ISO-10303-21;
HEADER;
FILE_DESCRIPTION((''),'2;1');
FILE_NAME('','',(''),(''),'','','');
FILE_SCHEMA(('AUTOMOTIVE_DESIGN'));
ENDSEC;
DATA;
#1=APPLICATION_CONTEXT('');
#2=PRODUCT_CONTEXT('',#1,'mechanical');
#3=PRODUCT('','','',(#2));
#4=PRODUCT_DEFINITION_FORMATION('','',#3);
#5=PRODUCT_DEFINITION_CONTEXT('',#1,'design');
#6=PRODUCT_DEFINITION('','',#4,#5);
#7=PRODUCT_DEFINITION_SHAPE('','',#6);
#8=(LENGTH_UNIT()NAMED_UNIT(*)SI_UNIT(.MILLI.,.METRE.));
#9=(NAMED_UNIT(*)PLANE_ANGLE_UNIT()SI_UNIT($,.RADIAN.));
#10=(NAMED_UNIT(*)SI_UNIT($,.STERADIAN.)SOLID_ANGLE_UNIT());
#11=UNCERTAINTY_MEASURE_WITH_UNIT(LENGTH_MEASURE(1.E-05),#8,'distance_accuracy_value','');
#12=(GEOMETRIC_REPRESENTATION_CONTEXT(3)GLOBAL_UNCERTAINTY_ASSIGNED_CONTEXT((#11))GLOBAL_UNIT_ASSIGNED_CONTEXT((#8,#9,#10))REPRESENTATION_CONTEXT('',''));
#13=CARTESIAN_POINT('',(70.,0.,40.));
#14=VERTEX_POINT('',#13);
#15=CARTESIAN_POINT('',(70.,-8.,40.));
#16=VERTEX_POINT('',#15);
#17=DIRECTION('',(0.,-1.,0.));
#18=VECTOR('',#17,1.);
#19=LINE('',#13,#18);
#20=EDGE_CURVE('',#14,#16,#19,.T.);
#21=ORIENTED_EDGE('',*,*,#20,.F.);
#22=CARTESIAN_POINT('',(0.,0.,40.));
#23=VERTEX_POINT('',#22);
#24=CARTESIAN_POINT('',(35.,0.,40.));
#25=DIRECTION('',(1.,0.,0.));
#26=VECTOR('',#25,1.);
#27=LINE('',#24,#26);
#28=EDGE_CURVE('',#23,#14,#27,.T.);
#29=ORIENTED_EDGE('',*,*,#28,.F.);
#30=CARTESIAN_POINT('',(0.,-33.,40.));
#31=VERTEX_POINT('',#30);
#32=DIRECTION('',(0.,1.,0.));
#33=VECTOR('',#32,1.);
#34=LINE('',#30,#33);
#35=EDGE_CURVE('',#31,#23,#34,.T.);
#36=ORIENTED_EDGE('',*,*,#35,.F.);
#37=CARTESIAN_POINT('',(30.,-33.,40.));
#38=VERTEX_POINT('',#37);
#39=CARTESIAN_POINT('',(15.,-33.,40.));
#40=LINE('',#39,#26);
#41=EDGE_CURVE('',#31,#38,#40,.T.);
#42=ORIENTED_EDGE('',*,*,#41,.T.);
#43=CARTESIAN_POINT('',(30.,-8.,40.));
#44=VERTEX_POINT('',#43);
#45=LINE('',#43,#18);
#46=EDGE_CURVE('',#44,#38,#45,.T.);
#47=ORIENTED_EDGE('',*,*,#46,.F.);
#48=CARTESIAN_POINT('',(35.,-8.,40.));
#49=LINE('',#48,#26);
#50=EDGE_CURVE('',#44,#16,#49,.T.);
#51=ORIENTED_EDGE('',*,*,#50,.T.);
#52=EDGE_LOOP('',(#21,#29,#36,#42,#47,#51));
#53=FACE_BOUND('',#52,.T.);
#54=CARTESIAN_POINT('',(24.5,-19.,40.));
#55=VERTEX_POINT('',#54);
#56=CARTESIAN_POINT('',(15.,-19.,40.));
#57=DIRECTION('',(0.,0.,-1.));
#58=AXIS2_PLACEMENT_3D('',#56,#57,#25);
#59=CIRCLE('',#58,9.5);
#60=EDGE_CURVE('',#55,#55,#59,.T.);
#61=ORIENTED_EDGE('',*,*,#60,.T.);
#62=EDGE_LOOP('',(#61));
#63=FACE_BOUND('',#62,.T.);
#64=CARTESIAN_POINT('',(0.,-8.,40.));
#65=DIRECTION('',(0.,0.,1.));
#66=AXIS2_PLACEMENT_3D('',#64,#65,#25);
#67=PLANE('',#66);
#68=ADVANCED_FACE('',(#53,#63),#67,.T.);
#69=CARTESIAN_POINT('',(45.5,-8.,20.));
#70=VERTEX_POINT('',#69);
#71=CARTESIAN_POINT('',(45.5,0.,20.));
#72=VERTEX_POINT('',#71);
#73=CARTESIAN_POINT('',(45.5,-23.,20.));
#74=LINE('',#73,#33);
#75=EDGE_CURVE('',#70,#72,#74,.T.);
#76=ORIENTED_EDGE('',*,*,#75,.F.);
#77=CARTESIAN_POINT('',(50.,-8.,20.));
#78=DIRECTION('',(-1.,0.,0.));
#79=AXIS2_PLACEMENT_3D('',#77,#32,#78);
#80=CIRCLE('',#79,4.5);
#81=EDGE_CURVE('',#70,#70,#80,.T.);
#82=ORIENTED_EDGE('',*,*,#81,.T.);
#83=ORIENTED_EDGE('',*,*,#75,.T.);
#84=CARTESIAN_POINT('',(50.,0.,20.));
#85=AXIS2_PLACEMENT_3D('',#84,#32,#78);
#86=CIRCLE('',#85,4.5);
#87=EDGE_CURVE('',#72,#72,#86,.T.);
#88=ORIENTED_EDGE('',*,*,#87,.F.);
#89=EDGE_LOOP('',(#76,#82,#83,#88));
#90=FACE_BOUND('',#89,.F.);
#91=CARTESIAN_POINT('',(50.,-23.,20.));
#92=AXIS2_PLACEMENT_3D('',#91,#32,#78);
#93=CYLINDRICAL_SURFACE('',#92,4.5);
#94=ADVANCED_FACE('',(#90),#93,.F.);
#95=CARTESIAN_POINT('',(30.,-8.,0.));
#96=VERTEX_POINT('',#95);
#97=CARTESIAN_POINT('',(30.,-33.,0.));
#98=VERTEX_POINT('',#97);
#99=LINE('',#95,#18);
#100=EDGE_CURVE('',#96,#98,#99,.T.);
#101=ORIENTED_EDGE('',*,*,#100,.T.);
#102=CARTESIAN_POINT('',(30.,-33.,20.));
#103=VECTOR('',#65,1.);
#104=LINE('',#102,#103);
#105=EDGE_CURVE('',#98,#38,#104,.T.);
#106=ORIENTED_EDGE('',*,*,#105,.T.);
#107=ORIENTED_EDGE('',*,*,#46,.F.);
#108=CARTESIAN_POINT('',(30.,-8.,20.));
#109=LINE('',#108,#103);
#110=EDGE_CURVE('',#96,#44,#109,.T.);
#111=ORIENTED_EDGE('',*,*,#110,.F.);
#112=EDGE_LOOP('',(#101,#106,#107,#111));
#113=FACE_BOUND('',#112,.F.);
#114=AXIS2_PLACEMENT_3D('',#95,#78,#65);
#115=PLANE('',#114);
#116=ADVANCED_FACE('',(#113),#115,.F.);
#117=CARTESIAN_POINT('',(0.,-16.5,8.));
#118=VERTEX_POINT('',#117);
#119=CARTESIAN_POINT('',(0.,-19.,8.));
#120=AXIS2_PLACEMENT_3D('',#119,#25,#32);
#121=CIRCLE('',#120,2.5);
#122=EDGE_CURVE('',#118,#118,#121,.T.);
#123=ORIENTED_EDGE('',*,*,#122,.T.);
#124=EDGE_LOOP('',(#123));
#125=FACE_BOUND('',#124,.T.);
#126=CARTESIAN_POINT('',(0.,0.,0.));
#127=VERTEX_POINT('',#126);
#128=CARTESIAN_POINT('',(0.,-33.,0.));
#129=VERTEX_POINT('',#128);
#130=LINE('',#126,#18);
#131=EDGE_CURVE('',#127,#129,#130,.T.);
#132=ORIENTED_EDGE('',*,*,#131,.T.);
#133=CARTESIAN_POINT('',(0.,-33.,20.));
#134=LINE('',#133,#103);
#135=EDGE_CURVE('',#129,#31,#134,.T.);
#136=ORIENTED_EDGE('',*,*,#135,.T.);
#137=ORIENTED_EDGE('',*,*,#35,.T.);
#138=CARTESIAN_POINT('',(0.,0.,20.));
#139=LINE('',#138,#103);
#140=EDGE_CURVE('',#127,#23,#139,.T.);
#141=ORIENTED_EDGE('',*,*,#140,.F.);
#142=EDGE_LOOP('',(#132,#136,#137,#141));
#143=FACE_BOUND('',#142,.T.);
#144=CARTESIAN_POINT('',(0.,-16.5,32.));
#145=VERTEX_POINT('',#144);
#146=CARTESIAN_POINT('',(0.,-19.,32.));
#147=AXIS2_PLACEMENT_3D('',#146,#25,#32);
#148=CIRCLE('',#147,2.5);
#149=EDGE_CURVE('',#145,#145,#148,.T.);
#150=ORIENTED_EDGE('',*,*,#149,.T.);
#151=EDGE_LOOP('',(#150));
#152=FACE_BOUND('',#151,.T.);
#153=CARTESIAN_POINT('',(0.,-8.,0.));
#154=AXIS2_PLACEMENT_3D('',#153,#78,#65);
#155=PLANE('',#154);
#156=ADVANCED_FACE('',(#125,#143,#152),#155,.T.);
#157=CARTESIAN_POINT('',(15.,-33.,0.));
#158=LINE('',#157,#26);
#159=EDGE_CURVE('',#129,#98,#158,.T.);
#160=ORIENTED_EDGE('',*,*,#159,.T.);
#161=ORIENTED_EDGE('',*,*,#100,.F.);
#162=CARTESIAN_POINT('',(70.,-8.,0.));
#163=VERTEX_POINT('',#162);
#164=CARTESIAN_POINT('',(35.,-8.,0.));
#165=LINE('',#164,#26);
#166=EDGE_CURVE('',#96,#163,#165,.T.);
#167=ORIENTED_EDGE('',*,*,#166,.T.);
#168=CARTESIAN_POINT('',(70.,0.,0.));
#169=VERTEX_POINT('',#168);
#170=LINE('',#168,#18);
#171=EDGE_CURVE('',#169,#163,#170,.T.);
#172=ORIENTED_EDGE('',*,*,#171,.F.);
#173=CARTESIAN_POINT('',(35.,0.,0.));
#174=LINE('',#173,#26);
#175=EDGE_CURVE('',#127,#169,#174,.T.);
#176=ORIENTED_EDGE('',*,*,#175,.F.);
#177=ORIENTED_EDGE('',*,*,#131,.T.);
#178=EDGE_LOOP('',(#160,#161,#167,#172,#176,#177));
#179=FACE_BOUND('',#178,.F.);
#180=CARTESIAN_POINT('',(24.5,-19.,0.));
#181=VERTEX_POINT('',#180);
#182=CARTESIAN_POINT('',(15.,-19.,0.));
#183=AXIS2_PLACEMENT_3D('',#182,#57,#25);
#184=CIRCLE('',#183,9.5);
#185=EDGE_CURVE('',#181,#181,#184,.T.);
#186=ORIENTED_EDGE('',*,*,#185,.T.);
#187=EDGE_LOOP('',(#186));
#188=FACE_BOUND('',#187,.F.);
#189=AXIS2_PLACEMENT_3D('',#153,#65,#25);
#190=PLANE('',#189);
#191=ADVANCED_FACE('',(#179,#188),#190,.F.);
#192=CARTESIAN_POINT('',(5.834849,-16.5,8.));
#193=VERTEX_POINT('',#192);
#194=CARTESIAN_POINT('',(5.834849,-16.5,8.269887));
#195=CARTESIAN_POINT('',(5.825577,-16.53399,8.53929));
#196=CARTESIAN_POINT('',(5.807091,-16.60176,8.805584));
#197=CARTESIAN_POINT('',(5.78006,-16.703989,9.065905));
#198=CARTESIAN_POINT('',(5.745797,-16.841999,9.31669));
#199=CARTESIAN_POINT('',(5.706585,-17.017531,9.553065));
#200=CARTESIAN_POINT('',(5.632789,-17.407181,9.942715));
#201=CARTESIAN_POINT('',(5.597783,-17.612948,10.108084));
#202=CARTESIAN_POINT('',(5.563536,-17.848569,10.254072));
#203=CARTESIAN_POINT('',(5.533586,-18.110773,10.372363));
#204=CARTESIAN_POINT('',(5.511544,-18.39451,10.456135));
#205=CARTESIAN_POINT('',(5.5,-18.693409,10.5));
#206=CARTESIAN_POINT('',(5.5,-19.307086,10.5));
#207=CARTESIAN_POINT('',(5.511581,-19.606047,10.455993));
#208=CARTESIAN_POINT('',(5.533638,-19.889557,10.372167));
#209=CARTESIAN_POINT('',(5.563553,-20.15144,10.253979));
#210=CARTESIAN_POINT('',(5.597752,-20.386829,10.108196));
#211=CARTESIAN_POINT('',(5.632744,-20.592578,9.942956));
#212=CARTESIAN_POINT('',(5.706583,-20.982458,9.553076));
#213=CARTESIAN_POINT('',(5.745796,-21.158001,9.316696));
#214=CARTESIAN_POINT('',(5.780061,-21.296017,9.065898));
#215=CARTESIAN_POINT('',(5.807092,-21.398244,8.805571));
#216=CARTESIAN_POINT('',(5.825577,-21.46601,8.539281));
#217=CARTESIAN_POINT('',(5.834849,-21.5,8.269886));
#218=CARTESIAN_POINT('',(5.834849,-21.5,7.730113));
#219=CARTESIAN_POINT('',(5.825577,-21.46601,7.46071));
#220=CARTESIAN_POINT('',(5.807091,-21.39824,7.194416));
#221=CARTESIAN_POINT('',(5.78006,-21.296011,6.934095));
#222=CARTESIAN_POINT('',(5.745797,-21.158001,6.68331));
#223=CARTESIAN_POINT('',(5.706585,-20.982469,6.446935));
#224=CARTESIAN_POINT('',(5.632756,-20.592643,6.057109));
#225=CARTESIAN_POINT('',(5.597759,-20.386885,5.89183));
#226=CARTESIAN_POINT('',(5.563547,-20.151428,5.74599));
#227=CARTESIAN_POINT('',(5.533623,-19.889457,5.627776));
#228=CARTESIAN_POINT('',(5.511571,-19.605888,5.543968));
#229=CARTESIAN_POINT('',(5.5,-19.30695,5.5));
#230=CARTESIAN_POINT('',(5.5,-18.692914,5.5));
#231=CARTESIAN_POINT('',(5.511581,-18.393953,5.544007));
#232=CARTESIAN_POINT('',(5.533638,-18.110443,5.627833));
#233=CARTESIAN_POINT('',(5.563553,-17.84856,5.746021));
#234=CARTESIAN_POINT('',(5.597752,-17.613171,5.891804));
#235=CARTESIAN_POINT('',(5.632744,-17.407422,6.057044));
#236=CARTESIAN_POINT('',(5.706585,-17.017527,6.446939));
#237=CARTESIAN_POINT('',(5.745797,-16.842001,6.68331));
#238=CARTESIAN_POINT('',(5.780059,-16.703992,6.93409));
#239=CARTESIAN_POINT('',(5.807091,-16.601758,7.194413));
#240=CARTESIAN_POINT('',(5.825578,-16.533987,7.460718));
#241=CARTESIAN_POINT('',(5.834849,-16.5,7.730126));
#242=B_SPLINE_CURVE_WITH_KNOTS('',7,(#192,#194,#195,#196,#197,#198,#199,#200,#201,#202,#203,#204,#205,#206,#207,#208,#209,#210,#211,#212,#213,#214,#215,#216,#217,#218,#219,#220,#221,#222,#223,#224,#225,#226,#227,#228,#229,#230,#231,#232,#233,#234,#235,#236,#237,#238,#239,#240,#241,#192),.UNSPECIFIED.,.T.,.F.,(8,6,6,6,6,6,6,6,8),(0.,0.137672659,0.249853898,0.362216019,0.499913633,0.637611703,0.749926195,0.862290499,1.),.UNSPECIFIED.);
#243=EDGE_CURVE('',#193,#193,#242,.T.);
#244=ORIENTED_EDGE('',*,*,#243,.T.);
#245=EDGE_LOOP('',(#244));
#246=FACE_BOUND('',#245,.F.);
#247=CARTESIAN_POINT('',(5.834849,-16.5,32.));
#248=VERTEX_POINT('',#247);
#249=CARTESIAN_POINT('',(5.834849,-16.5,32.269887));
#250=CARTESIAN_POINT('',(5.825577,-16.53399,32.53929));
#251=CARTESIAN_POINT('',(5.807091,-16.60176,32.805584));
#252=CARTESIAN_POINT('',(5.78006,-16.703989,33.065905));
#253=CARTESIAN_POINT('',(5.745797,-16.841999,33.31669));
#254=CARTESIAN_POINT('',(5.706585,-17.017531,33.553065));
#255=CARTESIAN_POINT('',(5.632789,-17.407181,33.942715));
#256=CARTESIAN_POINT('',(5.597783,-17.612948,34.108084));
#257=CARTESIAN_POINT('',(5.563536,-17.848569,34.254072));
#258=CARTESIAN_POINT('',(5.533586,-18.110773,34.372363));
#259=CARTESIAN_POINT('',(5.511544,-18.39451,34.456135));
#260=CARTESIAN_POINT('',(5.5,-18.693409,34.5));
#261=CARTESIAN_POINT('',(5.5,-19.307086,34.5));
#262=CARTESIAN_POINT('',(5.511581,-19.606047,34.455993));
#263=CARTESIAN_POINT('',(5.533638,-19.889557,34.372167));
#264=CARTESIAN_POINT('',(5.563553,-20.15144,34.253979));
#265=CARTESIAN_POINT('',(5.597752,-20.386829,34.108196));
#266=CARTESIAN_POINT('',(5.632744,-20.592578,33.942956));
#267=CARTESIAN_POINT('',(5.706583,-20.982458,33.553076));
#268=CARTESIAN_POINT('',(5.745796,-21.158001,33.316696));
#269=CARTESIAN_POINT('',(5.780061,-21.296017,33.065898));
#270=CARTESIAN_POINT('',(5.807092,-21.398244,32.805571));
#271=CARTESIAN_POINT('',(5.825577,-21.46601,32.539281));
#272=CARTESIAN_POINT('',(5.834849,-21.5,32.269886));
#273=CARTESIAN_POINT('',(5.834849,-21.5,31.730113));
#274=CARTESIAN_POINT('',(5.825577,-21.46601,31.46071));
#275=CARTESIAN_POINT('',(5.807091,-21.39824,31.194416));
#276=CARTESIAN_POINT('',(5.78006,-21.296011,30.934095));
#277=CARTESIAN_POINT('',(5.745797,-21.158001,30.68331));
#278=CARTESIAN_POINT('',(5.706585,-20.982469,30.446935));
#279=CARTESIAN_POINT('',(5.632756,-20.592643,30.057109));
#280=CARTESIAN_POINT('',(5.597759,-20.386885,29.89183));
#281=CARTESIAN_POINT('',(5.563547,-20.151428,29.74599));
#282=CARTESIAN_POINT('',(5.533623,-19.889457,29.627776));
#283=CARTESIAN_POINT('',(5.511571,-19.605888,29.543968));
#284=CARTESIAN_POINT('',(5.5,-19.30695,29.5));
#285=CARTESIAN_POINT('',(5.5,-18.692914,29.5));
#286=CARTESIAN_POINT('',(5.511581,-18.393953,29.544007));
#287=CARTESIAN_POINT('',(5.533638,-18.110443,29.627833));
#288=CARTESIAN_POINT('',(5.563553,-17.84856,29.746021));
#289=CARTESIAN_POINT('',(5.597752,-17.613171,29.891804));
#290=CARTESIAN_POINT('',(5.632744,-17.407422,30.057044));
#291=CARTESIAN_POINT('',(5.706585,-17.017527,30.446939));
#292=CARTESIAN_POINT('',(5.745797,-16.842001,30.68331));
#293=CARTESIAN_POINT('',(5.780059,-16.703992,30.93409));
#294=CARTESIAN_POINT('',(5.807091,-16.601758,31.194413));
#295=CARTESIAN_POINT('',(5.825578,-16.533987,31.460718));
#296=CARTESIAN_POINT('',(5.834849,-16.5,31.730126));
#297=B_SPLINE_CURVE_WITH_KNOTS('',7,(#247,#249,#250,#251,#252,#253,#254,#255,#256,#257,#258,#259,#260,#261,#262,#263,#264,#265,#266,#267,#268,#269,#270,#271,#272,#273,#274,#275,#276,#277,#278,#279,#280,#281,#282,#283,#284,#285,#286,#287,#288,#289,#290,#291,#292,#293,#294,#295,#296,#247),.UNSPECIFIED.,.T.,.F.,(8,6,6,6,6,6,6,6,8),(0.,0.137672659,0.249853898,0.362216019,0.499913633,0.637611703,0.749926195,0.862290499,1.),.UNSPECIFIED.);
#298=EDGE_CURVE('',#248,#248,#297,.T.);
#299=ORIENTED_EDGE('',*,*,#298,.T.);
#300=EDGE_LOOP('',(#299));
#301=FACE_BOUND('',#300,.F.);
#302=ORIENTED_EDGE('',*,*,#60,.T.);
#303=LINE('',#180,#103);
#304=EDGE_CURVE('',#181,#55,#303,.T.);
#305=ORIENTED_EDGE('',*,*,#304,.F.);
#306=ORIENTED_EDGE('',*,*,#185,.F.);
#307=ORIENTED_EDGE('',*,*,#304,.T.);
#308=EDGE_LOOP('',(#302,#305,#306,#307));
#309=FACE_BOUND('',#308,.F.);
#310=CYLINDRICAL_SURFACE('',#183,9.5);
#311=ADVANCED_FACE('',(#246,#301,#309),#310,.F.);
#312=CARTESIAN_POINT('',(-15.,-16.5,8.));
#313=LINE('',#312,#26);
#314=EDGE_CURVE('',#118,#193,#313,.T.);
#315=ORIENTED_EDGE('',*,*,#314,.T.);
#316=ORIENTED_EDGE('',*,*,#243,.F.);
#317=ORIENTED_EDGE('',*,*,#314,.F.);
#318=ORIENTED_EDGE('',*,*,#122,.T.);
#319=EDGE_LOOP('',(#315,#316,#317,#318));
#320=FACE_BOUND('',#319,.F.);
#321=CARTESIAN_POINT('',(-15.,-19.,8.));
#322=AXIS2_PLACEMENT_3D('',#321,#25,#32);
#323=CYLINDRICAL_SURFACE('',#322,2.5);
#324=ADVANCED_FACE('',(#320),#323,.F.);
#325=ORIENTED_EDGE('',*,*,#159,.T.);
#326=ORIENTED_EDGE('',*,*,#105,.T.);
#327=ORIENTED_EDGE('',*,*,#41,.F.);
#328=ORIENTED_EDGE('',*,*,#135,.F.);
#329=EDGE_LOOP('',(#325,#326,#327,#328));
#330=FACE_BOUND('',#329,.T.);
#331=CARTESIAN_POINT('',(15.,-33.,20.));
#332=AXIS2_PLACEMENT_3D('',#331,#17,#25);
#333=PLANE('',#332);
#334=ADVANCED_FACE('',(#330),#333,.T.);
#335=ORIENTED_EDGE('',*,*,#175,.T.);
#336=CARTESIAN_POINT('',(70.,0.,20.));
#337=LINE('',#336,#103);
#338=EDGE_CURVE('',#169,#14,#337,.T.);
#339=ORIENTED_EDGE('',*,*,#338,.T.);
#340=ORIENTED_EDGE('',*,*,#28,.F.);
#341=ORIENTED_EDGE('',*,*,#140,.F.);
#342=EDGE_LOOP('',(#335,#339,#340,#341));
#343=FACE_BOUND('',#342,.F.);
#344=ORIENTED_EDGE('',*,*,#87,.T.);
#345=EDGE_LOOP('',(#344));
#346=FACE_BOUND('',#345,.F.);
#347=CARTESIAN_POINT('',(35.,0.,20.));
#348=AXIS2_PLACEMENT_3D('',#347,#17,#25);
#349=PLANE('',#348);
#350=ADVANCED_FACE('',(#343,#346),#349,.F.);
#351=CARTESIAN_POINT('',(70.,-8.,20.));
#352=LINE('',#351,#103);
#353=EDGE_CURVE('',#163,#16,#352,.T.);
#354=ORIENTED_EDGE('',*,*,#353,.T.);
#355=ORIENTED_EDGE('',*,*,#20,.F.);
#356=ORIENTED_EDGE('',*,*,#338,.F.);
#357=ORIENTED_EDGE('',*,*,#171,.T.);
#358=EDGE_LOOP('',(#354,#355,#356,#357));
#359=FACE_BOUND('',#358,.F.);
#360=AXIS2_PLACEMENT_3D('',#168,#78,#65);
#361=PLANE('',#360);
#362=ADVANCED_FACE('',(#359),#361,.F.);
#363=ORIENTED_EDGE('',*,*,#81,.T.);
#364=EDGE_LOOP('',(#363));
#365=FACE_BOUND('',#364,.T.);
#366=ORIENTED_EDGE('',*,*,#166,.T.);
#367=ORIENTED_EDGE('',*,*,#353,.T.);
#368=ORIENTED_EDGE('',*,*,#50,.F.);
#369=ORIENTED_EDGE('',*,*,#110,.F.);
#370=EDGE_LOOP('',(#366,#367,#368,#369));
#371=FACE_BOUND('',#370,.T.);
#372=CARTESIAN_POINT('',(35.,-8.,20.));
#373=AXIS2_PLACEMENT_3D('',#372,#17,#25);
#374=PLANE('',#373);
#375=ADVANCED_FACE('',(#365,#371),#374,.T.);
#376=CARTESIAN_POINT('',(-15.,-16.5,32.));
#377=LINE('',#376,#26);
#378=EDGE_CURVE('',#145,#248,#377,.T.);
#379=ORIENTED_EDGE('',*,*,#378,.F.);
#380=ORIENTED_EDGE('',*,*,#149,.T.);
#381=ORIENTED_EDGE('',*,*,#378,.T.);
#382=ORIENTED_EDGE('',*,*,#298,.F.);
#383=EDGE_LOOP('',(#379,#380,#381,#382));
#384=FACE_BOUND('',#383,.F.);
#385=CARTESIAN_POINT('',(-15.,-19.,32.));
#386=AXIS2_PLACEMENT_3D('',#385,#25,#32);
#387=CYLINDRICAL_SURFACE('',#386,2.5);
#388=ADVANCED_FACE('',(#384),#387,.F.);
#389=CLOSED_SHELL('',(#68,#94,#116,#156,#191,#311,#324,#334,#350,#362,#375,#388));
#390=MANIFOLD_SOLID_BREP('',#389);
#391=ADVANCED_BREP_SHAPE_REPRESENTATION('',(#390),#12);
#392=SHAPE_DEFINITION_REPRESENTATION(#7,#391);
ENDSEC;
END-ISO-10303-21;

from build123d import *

# Parameters (mm, degrees)
F0_W     = 70
F0_H     = 40
F1_DEPTH = 8
F2_W     = 30
F2_H     = 40
F3_DEPTH = 25
F4_R     = 9.5
F5_DEPTH = 40
F7_D     = 5
F7_DEPTH = 15
F7_TIP   = 1.5021515476
F9_D     = 9
F9_DEPTH = 15
F9_TIP   = 2.7038727856


with BuildPart() as f1:
    # F0 (on Front) → F1 (new body)
    with BuildSketch(Plane.XZ):
        with Locations((35, 20)):
            Rectangle(F0_W, F0_H)
    extrude(amount=F1_DEPTH)

    # F2 (on face) → F3 (join)
    with BuildSketch(Plane.XZ.offset(8)):
        with Locations((15, 20)):
            Rectangle(F2_W, F2_H)
    extrude(amount=F3_DEPTH)

    # F4 (on face) → F5 (cut)
    with BuildSketch(Plane(origin=(0, 0, 0), x_dir=(1, 0, 0), z_dir=(0, 0, -1))):
        with Locations((15, 19)):
            Circle(F4_R)
    extrude(amount=-F5_DEPTH, mode=Mode.SUBTRACT)

    # F7
    with Locations(Plane(origin=(0, 0, 0), x_dir=(0, -1, 0), z_dir=(-1, 0, 0))):
        with Locations((19, 32), (19, 8)):
            Hole(F7_D / 2, depth=F7_DEPTH)
            with Locations((0, 0, -(F7_DEPTH + F7_TIP / 2))):  # 118° drill point
                Cone(0, F7_D / 2, F7_TIP, mode=Mode.SUBTRACT)

    # F9
    with Locations(Plane.XZ.offset(8)):
        with Locations((50, 20)):
            Hole(F9_D / 2, depth=F9_DEPTH)
            with Locations((0, 0, -(F9_DEPTH + F9_TIP / 2))):  # 118° drill point
                Cone(0, F9_D / 2, F9_TIP, mode=Mode.SUBTRACT)


solid = f1.part
